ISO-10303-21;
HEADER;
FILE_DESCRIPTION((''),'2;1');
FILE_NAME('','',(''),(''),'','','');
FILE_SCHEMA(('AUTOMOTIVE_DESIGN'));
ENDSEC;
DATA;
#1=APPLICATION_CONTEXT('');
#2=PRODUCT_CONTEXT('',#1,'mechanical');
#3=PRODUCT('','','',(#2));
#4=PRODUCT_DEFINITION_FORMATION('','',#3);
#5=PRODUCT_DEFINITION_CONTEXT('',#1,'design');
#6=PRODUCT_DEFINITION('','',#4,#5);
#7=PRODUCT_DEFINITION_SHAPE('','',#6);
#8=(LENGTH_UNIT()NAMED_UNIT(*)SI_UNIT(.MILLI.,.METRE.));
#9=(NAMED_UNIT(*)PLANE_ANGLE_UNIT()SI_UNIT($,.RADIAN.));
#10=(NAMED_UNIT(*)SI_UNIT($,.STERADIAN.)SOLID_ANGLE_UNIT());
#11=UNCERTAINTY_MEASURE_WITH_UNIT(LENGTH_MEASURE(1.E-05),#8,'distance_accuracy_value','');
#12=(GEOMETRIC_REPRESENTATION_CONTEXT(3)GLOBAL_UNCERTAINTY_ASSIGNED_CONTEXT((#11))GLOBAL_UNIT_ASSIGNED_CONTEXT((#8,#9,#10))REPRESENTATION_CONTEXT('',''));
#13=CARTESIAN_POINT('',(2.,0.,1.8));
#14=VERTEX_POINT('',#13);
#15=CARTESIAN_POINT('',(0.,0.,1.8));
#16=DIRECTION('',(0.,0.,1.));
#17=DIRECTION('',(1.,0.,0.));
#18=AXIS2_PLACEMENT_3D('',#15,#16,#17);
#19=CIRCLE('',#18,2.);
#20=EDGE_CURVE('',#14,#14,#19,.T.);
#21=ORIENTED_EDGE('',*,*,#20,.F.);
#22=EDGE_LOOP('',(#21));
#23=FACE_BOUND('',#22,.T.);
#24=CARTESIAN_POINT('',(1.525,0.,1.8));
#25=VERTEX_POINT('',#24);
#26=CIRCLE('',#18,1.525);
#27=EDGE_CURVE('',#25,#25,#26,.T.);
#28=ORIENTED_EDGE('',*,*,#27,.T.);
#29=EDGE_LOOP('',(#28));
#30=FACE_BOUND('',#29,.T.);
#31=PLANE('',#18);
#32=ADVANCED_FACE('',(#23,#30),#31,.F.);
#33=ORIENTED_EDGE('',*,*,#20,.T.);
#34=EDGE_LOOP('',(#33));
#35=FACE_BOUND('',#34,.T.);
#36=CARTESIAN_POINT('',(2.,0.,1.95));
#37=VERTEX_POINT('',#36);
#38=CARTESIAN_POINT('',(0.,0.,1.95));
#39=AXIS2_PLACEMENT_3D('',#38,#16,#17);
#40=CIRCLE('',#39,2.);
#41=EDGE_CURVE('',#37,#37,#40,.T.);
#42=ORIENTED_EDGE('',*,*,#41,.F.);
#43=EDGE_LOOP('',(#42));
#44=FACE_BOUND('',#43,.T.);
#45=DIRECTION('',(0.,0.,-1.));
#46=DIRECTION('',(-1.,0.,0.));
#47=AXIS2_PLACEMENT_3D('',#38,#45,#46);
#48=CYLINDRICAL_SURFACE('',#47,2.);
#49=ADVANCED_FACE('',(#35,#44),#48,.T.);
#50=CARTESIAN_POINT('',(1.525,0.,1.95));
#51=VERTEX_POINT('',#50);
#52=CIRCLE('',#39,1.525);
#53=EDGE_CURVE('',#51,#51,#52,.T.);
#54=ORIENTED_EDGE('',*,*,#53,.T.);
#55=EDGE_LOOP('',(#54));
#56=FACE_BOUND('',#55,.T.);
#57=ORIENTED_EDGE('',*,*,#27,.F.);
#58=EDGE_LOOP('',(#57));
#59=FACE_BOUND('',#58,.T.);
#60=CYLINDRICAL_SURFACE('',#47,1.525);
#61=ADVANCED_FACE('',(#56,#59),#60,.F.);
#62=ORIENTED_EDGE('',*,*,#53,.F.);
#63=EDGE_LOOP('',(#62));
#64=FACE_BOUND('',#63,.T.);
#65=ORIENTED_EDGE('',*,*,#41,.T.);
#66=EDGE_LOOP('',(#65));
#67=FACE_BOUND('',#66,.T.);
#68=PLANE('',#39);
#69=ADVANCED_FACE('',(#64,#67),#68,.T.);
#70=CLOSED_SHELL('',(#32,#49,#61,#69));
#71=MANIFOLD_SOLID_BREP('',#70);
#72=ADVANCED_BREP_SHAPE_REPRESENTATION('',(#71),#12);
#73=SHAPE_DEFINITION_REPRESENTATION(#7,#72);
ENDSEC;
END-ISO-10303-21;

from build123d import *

# Parameters (mm, degrees)
PTFE_THRUST_FILM_H0P15_START = 1.8
SKETCH1_R                    = 2
SKETCH1_R_2                  = 1.525
PTFE_THRUST_FILM_H0P15_DEPTH = 0.15


with BuildPart() as part:
    # Sketch1 → PTFE_Thrust_Film_H0p15 (new body)
    with BuildSketch(Plane.XY.offset(PTFE_THRUST_FILM_H0P15_START)):
        Circle(SKETCH1_R)
        Circle(SKETCH1_R_2, mode=Mode.SUBTRACT)
    extrude(amount=PTFE_THRUST_FILM_H0P15_DEPTH)


solid = part.part
